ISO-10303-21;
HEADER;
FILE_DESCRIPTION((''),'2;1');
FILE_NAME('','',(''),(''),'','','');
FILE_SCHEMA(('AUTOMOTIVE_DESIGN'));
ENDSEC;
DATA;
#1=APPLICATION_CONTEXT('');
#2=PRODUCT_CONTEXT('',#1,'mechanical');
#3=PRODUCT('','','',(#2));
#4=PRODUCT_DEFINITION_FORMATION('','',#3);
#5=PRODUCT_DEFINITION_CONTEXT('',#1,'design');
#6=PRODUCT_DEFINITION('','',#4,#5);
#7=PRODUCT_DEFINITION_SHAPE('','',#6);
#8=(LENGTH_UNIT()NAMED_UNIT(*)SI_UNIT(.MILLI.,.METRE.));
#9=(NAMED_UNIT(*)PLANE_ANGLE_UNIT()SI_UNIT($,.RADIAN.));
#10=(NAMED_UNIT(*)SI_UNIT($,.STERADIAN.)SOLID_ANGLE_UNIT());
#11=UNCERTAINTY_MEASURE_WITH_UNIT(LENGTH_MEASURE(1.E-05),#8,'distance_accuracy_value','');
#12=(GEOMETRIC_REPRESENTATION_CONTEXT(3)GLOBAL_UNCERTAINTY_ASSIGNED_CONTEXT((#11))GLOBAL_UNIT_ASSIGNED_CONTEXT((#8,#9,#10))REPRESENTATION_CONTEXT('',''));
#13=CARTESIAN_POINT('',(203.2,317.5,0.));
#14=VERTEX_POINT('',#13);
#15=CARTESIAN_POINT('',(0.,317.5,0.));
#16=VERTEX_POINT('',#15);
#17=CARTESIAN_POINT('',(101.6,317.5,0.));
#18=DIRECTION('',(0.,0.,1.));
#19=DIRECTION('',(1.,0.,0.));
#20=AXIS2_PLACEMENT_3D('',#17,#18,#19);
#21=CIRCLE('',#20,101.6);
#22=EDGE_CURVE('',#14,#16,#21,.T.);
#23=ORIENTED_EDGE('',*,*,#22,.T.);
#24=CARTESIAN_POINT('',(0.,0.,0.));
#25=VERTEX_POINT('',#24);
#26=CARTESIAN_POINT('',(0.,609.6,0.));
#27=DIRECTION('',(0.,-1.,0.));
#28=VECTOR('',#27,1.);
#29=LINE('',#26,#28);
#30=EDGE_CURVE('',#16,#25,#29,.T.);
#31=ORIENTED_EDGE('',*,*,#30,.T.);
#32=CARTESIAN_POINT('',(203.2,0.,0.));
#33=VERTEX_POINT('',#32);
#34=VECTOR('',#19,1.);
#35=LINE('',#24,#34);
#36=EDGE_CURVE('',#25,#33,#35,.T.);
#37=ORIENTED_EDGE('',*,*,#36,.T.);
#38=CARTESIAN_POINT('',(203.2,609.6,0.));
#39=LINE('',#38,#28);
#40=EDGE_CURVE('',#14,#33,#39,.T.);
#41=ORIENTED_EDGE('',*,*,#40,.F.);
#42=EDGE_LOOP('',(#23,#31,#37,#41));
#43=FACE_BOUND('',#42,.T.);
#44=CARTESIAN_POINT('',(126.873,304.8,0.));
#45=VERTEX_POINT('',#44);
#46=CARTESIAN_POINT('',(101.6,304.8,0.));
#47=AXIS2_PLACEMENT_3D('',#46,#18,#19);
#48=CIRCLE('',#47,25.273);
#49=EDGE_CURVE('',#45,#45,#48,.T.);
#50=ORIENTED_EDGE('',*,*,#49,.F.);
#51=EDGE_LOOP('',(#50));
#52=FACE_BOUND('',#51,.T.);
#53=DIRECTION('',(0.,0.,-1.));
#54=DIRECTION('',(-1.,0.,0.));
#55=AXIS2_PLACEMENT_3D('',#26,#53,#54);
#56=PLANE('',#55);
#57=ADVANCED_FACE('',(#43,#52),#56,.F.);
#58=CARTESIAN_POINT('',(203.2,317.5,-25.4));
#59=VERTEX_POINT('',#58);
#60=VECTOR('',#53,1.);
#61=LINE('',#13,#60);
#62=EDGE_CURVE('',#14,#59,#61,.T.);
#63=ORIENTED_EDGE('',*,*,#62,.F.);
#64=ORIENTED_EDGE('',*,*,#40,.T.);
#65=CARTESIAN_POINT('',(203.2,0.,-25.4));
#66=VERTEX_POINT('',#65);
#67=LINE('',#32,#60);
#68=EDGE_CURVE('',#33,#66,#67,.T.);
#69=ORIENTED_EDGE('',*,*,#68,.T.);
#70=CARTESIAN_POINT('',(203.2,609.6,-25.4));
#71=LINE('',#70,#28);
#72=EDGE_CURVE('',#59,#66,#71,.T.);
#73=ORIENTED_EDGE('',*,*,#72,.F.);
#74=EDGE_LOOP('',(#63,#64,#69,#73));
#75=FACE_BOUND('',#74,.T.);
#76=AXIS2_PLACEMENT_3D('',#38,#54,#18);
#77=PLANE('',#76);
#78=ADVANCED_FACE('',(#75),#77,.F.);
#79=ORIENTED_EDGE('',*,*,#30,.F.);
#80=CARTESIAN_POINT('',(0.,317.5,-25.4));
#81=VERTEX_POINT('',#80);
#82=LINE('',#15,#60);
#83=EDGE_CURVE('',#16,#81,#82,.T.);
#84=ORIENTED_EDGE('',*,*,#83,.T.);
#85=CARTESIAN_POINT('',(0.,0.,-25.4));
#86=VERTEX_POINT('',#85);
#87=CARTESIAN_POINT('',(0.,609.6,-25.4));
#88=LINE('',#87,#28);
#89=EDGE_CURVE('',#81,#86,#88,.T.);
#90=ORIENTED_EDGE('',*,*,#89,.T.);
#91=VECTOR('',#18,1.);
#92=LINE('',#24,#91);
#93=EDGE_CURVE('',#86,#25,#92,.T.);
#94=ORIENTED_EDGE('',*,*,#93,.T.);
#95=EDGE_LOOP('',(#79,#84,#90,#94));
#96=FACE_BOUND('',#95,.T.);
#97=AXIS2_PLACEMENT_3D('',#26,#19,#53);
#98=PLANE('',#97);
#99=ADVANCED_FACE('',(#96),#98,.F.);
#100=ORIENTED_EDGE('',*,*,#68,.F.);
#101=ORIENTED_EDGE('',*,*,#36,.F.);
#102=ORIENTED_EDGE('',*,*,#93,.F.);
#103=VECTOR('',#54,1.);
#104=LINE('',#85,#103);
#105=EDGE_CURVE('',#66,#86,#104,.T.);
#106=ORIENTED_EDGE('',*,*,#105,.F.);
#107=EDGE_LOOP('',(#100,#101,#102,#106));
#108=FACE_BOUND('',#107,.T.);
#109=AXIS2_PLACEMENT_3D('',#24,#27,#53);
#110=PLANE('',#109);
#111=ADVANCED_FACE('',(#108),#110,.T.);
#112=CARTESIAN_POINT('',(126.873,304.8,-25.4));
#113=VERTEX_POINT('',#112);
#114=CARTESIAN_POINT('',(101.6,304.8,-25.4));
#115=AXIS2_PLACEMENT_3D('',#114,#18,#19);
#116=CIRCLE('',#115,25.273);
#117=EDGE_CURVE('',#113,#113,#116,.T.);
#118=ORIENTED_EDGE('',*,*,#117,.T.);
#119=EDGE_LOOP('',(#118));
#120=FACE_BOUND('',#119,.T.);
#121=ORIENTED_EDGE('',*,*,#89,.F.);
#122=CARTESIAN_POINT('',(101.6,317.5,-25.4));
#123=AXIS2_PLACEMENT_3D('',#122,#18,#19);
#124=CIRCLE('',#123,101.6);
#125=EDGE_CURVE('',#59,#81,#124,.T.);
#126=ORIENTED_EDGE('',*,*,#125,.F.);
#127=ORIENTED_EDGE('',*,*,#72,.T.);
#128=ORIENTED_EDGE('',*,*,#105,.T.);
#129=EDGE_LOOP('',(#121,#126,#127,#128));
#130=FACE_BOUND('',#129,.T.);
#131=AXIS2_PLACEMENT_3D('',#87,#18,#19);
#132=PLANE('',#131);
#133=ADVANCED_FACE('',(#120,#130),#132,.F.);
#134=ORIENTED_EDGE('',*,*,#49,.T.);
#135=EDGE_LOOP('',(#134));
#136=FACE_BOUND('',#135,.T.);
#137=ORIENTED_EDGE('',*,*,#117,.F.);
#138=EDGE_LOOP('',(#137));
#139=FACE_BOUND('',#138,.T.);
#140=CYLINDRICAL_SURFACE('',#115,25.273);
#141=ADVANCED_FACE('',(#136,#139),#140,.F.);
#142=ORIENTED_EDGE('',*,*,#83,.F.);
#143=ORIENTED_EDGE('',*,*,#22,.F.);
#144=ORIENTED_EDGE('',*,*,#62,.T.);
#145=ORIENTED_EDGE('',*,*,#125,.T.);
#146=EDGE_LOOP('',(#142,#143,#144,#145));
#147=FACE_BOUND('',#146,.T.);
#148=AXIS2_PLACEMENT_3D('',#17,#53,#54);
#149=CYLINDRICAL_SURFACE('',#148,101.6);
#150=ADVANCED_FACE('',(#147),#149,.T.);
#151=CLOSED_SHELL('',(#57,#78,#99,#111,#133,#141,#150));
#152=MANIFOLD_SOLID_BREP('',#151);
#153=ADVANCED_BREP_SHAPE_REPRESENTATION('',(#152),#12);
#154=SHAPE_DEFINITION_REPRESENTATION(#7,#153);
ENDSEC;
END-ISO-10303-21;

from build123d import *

# Parameters (mm, degrees)
SKETCH1_W           = 203.2
SKETCH1_H           = 25.4
BOSS_EXTRUDE1_DEPTH = 609.6
SKETCH2_R           = 25.273
CUT_EXTRUDE1_DEPTH  = 644.07663618
CUT_EXTRUDE2_DEPTH  = 644.07663618


with BuildPart() as part:
    # Sketch1 → Boss-Extrude1 (new body)
    with BuildSketch(Plane(origin=(0, 0, 0), x_dir=(1, 0, 0), z_dir=(0, 1, 0))):
        with Locations((101.6, 12.7)):
            Rectangle(SKETCH1_W, SKETCH1_H)
    extrude(amount=BOSS_EXTRUDE1_DEPTH)

    # Sketch2 → Cut-Extrude1 (cut, through all)
    with BuildSketch(Plane.XY):
        with Locations((101.6, 304.8)):
            Circle(SKETCH2_R)
    extrude(amount=-CUT_EXTRUDE1_DEPTH, mode=Mode.SUBTRACT)

    # Sketch3 → Cut-Extrude2 (cut, through all)
    with BuildSketch(Plane(origin=(0, 0, -25.4), x_dir=(-1, 0, 0), z_dir=(0, 0, -1))):
        with BuildLine():
            Line((-203.2, 317.5), (-203.2, 609.6))
            Line((-203.2, 609.6), (0, 609.6))
            Line((0, 609.6), (0, 317.5))
            ThreePointArc((0, 317.5), (-101.6, 419.1), (-203.2, 317.5))
        make_face()
    extrude(amount=-CUT_EXTRUDE2_DEPTH, mode=Mode.SUBTRACT)


solid = part.part
